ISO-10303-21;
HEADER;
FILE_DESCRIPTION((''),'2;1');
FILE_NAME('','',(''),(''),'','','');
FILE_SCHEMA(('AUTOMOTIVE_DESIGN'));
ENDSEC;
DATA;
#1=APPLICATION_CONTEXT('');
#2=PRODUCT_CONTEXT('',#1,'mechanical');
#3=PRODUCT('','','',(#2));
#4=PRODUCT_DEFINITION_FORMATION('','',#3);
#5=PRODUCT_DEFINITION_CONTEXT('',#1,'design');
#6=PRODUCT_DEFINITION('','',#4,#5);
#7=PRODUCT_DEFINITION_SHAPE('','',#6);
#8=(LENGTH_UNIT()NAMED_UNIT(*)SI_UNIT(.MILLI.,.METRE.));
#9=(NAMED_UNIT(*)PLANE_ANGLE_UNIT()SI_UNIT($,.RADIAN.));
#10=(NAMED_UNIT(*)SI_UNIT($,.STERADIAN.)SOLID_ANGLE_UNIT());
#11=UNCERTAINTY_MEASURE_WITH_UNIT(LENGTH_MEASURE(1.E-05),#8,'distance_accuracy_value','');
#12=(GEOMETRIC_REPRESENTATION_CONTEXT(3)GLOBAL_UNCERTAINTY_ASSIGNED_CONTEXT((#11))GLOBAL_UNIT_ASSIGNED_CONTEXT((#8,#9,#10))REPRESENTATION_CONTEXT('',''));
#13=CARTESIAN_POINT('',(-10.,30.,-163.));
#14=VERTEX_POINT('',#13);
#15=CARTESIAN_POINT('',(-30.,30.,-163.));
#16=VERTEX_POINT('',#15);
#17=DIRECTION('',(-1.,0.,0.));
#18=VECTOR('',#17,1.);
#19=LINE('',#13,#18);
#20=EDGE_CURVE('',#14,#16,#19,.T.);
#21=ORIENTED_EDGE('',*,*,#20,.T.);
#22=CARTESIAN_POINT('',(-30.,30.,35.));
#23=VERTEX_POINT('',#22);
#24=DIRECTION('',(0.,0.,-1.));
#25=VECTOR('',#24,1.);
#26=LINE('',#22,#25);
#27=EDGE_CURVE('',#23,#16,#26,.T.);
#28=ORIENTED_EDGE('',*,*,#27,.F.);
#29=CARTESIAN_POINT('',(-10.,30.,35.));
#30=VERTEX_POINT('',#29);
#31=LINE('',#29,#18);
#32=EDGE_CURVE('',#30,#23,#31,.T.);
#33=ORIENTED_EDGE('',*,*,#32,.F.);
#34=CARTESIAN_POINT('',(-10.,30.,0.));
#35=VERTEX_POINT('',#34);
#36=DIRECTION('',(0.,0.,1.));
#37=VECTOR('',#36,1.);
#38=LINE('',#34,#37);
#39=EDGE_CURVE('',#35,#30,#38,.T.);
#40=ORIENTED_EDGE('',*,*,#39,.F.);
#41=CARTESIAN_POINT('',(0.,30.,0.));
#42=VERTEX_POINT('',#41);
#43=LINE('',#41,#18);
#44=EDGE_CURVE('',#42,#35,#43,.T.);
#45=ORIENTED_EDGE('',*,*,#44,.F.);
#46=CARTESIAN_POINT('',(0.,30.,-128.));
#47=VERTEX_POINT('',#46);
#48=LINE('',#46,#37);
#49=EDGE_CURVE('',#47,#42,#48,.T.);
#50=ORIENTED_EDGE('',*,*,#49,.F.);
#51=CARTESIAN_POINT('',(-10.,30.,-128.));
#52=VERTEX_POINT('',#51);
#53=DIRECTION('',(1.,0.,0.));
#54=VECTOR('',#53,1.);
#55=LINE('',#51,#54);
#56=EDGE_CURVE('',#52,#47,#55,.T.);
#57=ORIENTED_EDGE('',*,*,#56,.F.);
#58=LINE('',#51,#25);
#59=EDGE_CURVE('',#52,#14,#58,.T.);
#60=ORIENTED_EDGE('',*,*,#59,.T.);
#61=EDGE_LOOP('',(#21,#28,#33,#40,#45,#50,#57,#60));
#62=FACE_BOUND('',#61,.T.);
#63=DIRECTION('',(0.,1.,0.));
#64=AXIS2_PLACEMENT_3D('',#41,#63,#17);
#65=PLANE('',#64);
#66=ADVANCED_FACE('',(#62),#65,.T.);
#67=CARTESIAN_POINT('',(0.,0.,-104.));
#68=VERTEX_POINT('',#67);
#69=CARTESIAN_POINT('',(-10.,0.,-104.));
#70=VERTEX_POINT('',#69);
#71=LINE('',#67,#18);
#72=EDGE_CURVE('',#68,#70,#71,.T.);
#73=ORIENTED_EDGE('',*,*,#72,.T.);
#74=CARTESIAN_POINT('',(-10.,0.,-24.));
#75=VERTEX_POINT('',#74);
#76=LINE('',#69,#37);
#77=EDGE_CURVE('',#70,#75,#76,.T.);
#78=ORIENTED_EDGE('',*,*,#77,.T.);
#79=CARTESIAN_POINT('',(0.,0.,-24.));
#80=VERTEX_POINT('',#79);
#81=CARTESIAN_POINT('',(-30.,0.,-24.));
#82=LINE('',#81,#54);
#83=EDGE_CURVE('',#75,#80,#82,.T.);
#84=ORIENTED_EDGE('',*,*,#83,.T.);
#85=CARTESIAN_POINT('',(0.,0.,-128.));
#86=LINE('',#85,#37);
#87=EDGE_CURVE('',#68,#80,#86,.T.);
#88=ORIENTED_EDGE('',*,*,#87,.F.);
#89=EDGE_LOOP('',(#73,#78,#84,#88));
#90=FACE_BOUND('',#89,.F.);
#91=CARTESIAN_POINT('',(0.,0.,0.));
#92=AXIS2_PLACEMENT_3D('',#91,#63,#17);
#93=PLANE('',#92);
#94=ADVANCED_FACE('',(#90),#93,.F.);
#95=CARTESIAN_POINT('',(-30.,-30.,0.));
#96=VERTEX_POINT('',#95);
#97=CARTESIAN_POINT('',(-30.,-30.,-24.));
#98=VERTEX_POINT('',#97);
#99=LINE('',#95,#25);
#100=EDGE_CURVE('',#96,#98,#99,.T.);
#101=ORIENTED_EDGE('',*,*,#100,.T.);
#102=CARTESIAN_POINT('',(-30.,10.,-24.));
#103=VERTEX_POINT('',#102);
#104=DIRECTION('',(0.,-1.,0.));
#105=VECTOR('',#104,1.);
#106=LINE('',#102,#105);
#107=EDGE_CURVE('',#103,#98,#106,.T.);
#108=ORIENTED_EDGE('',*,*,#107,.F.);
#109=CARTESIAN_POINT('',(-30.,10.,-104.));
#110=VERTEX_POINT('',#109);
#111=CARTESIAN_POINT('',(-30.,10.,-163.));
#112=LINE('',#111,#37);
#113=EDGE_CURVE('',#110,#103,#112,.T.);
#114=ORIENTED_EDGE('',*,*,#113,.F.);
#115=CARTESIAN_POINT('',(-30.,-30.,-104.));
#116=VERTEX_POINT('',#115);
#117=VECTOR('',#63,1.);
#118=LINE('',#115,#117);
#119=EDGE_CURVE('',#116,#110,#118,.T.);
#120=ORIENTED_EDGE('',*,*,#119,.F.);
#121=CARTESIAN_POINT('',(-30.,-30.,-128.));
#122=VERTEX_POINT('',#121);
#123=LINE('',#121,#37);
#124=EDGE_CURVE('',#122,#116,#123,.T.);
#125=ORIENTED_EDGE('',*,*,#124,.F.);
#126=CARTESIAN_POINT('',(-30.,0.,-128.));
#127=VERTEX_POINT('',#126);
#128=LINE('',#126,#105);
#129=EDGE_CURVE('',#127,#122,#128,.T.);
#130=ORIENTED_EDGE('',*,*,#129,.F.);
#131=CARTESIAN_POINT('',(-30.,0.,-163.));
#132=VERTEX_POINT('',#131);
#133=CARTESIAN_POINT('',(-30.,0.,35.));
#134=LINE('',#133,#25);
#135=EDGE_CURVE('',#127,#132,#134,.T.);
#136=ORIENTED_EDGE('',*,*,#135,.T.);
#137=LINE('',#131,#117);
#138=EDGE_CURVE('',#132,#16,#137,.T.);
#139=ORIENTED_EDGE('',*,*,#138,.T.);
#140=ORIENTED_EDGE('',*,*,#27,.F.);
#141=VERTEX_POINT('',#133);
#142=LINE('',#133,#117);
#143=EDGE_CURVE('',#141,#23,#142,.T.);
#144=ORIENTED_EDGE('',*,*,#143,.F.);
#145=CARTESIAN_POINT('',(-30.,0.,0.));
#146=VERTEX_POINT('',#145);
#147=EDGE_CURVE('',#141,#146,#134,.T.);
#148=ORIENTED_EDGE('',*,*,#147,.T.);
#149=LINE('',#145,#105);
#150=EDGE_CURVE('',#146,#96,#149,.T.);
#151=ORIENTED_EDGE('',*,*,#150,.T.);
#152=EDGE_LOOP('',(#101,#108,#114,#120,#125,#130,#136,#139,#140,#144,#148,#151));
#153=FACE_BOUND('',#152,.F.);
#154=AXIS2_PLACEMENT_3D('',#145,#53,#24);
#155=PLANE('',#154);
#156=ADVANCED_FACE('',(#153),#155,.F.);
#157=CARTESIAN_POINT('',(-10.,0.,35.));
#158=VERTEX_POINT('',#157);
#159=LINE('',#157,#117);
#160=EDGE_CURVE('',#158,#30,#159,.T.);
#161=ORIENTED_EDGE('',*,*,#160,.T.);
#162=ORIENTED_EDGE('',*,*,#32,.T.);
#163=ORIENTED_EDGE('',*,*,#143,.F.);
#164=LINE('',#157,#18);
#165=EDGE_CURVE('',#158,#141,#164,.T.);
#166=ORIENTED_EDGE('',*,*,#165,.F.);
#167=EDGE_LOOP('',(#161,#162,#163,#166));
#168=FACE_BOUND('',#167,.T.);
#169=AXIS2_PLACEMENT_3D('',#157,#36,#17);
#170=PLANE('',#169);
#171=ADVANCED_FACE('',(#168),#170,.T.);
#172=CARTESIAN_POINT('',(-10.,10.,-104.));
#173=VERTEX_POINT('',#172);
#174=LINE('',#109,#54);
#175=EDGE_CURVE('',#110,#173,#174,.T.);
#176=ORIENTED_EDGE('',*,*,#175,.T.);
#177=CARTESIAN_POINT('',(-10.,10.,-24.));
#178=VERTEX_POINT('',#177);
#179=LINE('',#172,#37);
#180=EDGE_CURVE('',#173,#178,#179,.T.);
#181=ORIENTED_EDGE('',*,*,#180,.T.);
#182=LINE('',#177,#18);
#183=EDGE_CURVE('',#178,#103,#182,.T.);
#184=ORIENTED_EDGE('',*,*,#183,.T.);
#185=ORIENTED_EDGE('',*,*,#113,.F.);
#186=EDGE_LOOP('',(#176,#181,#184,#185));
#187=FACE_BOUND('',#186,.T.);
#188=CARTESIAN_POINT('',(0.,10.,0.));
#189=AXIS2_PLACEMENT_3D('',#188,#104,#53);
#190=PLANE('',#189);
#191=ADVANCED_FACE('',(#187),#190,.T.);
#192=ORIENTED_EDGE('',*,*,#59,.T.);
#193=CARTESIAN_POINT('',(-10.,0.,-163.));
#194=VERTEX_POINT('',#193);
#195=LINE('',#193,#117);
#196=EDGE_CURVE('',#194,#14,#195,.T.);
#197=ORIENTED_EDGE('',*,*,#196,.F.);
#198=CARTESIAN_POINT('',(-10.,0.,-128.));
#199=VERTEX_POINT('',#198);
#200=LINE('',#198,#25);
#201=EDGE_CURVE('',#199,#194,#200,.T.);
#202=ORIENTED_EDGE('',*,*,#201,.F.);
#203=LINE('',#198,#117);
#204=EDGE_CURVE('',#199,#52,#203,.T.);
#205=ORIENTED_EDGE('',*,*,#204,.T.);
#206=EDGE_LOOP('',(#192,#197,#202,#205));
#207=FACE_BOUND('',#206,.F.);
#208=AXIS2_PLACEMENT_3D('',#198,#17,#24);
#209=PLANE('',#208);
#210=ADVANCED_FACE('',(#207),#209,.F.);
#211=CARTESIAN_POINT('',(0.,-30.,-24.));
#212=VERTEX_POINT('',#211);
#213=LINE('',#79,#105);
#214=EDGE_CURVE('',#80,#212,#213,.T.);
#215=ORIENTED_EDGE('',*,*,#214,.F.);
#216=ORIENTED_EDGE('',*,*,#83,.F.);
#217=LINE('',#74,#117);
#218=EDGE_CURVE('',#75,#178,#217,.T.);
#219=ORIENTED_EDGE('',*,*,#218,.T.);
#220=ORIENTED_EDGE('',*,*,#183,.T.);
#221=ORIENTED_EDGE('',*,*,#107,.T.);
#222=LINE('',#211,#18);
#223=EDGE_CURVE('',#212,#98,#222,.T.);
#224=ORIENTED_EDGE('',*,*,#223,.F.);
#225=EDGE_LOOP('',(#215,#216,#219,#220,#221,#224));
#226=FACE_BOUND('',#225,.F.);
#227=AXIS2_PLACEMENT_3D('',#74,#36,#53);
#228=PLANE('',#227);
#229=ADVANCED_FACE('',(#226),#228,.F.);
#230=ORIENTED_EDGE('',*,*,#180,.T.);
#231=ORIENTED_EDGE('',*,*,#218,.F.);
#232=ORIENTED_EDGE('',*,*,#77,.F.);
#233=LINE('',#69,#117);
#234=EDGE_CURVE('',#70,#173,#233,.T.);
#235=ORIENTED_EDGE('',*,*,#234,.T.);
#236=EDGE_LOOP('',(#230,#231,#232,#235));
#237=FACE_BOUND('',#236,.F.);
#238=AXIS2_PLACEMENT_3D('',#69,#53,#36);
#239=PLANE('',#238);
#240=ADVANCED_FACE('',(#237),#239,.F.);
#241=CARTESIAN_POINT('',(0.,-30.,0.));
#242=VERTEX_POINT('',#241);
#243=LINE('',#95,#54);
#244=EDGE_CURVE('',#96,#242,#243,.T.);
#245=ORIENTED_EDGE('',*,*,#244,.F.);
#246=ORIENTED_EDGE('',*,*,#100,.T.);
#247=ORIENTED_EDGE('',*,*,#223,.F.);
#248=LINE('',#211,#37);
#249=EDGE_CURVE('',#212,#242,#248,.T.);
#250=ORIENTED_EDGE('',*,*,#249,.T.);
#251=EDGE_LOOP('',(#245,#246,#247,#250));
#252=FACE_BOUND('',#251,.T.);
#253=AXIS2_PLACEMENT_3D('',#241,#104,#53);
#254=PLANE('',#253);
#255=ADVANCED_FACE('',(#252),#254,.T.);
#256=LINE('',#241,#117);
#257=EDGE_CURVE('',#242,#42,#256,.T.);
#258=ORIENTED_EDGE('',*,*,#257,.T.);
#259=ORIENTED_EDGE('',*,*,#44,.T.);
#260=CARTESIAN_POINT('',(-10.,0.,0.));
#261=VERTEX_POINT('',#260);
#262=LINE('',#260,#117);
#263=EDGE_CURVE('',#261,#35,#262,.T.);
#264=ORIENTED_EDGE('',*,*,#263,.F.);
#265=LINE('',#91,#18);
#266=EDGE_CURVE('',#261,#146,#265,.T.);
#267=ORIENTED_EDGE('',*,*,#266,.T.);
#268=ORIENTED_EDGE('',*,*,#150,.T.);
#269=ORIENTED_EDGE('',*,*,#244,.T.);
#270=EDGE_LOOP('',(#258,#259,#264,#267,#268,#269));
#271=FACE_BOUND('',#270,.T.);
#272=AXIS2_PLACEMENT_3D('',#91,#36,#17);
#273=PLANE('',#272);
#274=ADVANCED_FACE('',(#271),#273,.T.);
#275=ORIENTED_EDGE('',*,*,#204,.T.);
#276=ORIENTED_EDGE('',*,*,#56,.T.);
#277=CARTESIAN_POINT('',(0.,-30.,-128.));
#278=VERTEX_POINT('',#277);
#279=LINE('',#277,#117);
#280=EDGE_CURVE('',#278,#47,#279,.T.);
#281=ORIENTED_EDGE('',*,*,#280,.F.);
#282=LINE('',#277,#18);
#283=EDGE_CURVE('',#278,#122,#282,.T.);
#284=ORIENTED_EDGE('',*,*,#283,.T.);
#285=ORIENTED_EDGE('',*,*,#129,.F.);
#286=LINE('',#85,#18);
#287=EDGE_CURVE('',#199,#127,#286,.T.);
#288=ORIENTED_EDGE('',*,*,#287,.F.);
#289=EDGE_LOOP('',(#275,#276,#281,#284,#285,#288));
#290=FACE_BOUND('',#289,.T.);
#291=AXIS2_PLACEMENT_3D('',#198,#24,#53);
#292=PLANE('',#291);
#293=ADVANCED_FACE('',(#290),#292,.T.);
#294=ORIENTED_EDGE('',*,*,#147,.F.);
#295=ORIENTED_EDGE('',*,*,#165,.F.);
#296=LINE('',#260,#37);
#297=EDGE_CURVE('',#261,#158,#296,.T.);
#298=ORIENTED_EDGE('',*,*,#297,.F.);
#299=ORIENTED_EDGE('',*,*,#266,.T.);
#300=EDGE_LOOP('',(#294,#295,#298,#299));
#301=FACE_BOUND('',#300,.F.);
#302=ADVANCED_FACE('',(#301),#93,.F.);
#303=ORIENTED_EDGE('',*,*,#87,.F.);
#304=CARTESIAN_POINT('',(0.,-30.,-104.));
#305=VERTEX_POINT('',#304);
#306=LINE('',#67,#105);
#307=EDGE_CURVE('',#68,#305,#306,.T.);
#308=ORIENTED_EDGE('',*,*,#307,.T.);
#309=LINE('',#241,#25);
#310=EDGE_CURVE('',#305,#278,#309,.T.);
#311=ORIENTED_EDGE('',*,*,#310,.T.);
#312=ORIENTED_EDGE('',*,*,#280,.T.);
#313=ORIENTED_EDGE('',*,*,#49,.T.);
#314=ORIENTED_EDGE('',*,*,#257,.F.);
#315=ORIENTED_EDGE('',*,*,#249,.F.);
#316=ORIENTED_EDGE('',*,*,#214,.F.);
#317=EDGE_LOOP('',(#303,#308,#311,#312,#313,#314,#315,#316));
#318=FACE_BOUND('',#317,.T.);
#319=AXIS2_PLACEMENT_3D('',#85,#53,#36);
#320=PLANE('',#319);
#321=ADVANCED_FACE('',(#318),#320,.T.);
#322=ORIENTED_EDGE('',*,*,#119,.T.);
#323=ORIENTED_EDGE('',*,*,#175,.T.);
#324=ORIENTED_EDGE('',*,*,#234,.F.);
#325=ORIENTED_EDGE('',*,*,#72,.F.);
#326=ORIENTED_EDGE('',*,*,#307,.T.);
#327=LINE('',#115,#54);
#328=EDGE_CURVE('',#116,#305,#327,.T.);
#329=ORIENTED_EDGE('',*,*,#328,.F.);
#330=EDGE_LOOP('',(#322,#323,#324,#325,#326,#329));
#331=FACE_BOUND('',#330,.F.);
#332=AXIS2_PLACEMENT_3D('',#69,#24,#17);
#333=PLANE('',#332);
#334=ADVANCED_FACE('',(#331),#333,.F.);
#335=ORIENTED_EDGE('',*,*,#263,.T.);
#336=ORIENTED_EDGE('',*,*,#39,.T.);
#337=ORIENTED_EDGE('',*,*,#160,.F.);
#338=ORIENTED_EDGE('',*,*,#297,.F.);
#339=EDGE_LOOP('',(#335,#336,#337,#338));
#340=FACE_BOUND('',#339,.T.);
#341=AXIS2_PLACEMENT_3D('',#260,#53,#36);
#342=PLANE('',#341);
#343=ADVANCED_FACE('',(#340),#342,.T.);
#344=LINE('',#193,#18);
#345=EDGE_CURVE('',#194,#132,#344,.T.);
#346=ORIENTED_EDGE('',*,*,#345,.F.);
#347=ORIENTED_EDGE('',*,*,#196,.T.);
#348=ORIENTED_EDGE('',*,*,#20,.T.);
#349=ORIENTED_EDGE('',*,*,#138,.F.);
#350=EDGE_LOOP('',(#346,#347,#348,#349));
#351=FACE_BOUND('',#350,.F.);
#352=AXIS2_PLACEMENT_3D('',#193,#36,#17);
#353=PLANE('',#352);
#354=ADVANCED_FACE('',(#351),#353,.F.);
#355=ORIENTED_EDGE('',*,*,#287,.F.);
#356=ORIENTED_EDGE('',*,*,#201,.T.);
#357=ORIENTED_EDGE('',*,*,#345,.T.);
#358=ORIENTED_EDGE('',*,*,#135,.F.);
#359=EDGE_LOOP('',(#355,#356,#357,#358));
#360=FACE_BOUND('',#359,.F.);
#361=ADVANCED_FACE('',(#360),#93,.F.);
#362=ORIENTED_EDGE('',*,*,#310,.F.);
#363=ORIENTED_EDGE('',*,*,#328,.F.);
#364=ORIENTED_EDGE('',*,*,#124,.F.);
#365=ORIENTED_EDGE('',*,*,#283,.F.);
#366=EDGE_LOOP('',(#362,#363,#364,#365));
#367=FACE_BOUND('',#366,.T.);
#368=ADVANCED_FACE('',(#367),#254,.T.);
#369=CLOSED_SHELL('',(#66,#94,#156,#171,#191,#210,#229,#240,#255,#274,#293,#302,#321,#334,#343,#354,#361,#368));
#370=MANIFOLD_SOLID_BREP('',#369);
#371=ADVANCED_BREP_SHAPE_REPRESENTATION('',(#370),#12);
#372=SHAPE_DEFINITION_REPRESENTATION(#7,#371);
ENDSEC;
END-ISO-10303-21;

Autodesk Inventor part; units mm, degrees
ref_plane "YZ Plane" through (0, 0, 0) normal (1, 0, 0) x (0, 1, 0)
ref_plane "XZ Plane" through (0, 0, 0) normal (0, 1, 0) x (-1, 0, 0)
ref_plane "XY Plane" through (0, 0, 0) normal (0, 0, 1) x (1, 0, 0)
sketch "Sketch1" plane through (0, 0, 0) normal (0, 1, 0) x (-1, 0, 0)
  line L0 (0, 0) -> (10, 0)
  line L1 (10, 0) -> (10, -128)
  line L2 (10, -128) -> (0, -128)
  line L3 (0, -128) -> (0, 0)
  line L4 (10, -128) -> (10, -163)
  line L5 (10, -163) -> (30, -163)
  line L6 (10, 0) -> (10, 35)
  line L7 (10, 35) -> (30, 35)
  line L8 (30, 35) -> (30, -163)
  dimension "d16" = 35
  dimension "d17" = 20
  dimension "d18" = 35
  dimension "d19" = 20
  dimension "d28" = 128
  dimension "d35" = 10
extrude "Extrusion1" add sketch "Sketch1" along normal blind 30
sketch "Sketch2" plane through (0, 0, 0) normal (0, -1, 0) x (1, 0, 0)
  line L0 (-30, -163) -> (-30, 35) projected
  line L1 (-30, -104) -> (-10, -104)
  line L2 (-10, -104) -> (-10, -24)
  line L3 (-10, -24) -> (-30, -24)
  line L4 (-30, -24) -> (-30, -104)
  line L5 (-10, 0) -> (0, 0) projected
  dimension "d22" = 20
  dimension "d23" = 80
  dimension "d25" = 24
extrude "Extrusion6" cut sketch "Sketch2" against normal blind 10
sketch "Sketch6" plane through (0, 0, 0) normal (0, -1, 0) x (1, 0, 0)
  line L0 (-30, -24) -> (-10, -24) projected
  line L1 (-10, 0) -> (0, 0) projected
  line L2 (-30, -24) -> (0, -24)
  line L3 (0, -24) -> (0, 0)
  line L4 (0, 0) -> (-30, 0)
  line L5 (-30, 0) -> (-30, -24)
  line L6 (-10, -104) -> (-30, -104) projected
  line L7 (0, 0) -> (0, -128) projected
  line L8 (-30, -104) -> (0, -104)
  line L9 (0, -104) -> (0, -128)
  line L10 (0, -128) -> (-30, -128)
  line L11 (-30, -128) -> (-30, -104)
extrude "Extrusion7" add sketch "Sketch6" along normal blind 30
properties part number "Tunnel_Holder"
